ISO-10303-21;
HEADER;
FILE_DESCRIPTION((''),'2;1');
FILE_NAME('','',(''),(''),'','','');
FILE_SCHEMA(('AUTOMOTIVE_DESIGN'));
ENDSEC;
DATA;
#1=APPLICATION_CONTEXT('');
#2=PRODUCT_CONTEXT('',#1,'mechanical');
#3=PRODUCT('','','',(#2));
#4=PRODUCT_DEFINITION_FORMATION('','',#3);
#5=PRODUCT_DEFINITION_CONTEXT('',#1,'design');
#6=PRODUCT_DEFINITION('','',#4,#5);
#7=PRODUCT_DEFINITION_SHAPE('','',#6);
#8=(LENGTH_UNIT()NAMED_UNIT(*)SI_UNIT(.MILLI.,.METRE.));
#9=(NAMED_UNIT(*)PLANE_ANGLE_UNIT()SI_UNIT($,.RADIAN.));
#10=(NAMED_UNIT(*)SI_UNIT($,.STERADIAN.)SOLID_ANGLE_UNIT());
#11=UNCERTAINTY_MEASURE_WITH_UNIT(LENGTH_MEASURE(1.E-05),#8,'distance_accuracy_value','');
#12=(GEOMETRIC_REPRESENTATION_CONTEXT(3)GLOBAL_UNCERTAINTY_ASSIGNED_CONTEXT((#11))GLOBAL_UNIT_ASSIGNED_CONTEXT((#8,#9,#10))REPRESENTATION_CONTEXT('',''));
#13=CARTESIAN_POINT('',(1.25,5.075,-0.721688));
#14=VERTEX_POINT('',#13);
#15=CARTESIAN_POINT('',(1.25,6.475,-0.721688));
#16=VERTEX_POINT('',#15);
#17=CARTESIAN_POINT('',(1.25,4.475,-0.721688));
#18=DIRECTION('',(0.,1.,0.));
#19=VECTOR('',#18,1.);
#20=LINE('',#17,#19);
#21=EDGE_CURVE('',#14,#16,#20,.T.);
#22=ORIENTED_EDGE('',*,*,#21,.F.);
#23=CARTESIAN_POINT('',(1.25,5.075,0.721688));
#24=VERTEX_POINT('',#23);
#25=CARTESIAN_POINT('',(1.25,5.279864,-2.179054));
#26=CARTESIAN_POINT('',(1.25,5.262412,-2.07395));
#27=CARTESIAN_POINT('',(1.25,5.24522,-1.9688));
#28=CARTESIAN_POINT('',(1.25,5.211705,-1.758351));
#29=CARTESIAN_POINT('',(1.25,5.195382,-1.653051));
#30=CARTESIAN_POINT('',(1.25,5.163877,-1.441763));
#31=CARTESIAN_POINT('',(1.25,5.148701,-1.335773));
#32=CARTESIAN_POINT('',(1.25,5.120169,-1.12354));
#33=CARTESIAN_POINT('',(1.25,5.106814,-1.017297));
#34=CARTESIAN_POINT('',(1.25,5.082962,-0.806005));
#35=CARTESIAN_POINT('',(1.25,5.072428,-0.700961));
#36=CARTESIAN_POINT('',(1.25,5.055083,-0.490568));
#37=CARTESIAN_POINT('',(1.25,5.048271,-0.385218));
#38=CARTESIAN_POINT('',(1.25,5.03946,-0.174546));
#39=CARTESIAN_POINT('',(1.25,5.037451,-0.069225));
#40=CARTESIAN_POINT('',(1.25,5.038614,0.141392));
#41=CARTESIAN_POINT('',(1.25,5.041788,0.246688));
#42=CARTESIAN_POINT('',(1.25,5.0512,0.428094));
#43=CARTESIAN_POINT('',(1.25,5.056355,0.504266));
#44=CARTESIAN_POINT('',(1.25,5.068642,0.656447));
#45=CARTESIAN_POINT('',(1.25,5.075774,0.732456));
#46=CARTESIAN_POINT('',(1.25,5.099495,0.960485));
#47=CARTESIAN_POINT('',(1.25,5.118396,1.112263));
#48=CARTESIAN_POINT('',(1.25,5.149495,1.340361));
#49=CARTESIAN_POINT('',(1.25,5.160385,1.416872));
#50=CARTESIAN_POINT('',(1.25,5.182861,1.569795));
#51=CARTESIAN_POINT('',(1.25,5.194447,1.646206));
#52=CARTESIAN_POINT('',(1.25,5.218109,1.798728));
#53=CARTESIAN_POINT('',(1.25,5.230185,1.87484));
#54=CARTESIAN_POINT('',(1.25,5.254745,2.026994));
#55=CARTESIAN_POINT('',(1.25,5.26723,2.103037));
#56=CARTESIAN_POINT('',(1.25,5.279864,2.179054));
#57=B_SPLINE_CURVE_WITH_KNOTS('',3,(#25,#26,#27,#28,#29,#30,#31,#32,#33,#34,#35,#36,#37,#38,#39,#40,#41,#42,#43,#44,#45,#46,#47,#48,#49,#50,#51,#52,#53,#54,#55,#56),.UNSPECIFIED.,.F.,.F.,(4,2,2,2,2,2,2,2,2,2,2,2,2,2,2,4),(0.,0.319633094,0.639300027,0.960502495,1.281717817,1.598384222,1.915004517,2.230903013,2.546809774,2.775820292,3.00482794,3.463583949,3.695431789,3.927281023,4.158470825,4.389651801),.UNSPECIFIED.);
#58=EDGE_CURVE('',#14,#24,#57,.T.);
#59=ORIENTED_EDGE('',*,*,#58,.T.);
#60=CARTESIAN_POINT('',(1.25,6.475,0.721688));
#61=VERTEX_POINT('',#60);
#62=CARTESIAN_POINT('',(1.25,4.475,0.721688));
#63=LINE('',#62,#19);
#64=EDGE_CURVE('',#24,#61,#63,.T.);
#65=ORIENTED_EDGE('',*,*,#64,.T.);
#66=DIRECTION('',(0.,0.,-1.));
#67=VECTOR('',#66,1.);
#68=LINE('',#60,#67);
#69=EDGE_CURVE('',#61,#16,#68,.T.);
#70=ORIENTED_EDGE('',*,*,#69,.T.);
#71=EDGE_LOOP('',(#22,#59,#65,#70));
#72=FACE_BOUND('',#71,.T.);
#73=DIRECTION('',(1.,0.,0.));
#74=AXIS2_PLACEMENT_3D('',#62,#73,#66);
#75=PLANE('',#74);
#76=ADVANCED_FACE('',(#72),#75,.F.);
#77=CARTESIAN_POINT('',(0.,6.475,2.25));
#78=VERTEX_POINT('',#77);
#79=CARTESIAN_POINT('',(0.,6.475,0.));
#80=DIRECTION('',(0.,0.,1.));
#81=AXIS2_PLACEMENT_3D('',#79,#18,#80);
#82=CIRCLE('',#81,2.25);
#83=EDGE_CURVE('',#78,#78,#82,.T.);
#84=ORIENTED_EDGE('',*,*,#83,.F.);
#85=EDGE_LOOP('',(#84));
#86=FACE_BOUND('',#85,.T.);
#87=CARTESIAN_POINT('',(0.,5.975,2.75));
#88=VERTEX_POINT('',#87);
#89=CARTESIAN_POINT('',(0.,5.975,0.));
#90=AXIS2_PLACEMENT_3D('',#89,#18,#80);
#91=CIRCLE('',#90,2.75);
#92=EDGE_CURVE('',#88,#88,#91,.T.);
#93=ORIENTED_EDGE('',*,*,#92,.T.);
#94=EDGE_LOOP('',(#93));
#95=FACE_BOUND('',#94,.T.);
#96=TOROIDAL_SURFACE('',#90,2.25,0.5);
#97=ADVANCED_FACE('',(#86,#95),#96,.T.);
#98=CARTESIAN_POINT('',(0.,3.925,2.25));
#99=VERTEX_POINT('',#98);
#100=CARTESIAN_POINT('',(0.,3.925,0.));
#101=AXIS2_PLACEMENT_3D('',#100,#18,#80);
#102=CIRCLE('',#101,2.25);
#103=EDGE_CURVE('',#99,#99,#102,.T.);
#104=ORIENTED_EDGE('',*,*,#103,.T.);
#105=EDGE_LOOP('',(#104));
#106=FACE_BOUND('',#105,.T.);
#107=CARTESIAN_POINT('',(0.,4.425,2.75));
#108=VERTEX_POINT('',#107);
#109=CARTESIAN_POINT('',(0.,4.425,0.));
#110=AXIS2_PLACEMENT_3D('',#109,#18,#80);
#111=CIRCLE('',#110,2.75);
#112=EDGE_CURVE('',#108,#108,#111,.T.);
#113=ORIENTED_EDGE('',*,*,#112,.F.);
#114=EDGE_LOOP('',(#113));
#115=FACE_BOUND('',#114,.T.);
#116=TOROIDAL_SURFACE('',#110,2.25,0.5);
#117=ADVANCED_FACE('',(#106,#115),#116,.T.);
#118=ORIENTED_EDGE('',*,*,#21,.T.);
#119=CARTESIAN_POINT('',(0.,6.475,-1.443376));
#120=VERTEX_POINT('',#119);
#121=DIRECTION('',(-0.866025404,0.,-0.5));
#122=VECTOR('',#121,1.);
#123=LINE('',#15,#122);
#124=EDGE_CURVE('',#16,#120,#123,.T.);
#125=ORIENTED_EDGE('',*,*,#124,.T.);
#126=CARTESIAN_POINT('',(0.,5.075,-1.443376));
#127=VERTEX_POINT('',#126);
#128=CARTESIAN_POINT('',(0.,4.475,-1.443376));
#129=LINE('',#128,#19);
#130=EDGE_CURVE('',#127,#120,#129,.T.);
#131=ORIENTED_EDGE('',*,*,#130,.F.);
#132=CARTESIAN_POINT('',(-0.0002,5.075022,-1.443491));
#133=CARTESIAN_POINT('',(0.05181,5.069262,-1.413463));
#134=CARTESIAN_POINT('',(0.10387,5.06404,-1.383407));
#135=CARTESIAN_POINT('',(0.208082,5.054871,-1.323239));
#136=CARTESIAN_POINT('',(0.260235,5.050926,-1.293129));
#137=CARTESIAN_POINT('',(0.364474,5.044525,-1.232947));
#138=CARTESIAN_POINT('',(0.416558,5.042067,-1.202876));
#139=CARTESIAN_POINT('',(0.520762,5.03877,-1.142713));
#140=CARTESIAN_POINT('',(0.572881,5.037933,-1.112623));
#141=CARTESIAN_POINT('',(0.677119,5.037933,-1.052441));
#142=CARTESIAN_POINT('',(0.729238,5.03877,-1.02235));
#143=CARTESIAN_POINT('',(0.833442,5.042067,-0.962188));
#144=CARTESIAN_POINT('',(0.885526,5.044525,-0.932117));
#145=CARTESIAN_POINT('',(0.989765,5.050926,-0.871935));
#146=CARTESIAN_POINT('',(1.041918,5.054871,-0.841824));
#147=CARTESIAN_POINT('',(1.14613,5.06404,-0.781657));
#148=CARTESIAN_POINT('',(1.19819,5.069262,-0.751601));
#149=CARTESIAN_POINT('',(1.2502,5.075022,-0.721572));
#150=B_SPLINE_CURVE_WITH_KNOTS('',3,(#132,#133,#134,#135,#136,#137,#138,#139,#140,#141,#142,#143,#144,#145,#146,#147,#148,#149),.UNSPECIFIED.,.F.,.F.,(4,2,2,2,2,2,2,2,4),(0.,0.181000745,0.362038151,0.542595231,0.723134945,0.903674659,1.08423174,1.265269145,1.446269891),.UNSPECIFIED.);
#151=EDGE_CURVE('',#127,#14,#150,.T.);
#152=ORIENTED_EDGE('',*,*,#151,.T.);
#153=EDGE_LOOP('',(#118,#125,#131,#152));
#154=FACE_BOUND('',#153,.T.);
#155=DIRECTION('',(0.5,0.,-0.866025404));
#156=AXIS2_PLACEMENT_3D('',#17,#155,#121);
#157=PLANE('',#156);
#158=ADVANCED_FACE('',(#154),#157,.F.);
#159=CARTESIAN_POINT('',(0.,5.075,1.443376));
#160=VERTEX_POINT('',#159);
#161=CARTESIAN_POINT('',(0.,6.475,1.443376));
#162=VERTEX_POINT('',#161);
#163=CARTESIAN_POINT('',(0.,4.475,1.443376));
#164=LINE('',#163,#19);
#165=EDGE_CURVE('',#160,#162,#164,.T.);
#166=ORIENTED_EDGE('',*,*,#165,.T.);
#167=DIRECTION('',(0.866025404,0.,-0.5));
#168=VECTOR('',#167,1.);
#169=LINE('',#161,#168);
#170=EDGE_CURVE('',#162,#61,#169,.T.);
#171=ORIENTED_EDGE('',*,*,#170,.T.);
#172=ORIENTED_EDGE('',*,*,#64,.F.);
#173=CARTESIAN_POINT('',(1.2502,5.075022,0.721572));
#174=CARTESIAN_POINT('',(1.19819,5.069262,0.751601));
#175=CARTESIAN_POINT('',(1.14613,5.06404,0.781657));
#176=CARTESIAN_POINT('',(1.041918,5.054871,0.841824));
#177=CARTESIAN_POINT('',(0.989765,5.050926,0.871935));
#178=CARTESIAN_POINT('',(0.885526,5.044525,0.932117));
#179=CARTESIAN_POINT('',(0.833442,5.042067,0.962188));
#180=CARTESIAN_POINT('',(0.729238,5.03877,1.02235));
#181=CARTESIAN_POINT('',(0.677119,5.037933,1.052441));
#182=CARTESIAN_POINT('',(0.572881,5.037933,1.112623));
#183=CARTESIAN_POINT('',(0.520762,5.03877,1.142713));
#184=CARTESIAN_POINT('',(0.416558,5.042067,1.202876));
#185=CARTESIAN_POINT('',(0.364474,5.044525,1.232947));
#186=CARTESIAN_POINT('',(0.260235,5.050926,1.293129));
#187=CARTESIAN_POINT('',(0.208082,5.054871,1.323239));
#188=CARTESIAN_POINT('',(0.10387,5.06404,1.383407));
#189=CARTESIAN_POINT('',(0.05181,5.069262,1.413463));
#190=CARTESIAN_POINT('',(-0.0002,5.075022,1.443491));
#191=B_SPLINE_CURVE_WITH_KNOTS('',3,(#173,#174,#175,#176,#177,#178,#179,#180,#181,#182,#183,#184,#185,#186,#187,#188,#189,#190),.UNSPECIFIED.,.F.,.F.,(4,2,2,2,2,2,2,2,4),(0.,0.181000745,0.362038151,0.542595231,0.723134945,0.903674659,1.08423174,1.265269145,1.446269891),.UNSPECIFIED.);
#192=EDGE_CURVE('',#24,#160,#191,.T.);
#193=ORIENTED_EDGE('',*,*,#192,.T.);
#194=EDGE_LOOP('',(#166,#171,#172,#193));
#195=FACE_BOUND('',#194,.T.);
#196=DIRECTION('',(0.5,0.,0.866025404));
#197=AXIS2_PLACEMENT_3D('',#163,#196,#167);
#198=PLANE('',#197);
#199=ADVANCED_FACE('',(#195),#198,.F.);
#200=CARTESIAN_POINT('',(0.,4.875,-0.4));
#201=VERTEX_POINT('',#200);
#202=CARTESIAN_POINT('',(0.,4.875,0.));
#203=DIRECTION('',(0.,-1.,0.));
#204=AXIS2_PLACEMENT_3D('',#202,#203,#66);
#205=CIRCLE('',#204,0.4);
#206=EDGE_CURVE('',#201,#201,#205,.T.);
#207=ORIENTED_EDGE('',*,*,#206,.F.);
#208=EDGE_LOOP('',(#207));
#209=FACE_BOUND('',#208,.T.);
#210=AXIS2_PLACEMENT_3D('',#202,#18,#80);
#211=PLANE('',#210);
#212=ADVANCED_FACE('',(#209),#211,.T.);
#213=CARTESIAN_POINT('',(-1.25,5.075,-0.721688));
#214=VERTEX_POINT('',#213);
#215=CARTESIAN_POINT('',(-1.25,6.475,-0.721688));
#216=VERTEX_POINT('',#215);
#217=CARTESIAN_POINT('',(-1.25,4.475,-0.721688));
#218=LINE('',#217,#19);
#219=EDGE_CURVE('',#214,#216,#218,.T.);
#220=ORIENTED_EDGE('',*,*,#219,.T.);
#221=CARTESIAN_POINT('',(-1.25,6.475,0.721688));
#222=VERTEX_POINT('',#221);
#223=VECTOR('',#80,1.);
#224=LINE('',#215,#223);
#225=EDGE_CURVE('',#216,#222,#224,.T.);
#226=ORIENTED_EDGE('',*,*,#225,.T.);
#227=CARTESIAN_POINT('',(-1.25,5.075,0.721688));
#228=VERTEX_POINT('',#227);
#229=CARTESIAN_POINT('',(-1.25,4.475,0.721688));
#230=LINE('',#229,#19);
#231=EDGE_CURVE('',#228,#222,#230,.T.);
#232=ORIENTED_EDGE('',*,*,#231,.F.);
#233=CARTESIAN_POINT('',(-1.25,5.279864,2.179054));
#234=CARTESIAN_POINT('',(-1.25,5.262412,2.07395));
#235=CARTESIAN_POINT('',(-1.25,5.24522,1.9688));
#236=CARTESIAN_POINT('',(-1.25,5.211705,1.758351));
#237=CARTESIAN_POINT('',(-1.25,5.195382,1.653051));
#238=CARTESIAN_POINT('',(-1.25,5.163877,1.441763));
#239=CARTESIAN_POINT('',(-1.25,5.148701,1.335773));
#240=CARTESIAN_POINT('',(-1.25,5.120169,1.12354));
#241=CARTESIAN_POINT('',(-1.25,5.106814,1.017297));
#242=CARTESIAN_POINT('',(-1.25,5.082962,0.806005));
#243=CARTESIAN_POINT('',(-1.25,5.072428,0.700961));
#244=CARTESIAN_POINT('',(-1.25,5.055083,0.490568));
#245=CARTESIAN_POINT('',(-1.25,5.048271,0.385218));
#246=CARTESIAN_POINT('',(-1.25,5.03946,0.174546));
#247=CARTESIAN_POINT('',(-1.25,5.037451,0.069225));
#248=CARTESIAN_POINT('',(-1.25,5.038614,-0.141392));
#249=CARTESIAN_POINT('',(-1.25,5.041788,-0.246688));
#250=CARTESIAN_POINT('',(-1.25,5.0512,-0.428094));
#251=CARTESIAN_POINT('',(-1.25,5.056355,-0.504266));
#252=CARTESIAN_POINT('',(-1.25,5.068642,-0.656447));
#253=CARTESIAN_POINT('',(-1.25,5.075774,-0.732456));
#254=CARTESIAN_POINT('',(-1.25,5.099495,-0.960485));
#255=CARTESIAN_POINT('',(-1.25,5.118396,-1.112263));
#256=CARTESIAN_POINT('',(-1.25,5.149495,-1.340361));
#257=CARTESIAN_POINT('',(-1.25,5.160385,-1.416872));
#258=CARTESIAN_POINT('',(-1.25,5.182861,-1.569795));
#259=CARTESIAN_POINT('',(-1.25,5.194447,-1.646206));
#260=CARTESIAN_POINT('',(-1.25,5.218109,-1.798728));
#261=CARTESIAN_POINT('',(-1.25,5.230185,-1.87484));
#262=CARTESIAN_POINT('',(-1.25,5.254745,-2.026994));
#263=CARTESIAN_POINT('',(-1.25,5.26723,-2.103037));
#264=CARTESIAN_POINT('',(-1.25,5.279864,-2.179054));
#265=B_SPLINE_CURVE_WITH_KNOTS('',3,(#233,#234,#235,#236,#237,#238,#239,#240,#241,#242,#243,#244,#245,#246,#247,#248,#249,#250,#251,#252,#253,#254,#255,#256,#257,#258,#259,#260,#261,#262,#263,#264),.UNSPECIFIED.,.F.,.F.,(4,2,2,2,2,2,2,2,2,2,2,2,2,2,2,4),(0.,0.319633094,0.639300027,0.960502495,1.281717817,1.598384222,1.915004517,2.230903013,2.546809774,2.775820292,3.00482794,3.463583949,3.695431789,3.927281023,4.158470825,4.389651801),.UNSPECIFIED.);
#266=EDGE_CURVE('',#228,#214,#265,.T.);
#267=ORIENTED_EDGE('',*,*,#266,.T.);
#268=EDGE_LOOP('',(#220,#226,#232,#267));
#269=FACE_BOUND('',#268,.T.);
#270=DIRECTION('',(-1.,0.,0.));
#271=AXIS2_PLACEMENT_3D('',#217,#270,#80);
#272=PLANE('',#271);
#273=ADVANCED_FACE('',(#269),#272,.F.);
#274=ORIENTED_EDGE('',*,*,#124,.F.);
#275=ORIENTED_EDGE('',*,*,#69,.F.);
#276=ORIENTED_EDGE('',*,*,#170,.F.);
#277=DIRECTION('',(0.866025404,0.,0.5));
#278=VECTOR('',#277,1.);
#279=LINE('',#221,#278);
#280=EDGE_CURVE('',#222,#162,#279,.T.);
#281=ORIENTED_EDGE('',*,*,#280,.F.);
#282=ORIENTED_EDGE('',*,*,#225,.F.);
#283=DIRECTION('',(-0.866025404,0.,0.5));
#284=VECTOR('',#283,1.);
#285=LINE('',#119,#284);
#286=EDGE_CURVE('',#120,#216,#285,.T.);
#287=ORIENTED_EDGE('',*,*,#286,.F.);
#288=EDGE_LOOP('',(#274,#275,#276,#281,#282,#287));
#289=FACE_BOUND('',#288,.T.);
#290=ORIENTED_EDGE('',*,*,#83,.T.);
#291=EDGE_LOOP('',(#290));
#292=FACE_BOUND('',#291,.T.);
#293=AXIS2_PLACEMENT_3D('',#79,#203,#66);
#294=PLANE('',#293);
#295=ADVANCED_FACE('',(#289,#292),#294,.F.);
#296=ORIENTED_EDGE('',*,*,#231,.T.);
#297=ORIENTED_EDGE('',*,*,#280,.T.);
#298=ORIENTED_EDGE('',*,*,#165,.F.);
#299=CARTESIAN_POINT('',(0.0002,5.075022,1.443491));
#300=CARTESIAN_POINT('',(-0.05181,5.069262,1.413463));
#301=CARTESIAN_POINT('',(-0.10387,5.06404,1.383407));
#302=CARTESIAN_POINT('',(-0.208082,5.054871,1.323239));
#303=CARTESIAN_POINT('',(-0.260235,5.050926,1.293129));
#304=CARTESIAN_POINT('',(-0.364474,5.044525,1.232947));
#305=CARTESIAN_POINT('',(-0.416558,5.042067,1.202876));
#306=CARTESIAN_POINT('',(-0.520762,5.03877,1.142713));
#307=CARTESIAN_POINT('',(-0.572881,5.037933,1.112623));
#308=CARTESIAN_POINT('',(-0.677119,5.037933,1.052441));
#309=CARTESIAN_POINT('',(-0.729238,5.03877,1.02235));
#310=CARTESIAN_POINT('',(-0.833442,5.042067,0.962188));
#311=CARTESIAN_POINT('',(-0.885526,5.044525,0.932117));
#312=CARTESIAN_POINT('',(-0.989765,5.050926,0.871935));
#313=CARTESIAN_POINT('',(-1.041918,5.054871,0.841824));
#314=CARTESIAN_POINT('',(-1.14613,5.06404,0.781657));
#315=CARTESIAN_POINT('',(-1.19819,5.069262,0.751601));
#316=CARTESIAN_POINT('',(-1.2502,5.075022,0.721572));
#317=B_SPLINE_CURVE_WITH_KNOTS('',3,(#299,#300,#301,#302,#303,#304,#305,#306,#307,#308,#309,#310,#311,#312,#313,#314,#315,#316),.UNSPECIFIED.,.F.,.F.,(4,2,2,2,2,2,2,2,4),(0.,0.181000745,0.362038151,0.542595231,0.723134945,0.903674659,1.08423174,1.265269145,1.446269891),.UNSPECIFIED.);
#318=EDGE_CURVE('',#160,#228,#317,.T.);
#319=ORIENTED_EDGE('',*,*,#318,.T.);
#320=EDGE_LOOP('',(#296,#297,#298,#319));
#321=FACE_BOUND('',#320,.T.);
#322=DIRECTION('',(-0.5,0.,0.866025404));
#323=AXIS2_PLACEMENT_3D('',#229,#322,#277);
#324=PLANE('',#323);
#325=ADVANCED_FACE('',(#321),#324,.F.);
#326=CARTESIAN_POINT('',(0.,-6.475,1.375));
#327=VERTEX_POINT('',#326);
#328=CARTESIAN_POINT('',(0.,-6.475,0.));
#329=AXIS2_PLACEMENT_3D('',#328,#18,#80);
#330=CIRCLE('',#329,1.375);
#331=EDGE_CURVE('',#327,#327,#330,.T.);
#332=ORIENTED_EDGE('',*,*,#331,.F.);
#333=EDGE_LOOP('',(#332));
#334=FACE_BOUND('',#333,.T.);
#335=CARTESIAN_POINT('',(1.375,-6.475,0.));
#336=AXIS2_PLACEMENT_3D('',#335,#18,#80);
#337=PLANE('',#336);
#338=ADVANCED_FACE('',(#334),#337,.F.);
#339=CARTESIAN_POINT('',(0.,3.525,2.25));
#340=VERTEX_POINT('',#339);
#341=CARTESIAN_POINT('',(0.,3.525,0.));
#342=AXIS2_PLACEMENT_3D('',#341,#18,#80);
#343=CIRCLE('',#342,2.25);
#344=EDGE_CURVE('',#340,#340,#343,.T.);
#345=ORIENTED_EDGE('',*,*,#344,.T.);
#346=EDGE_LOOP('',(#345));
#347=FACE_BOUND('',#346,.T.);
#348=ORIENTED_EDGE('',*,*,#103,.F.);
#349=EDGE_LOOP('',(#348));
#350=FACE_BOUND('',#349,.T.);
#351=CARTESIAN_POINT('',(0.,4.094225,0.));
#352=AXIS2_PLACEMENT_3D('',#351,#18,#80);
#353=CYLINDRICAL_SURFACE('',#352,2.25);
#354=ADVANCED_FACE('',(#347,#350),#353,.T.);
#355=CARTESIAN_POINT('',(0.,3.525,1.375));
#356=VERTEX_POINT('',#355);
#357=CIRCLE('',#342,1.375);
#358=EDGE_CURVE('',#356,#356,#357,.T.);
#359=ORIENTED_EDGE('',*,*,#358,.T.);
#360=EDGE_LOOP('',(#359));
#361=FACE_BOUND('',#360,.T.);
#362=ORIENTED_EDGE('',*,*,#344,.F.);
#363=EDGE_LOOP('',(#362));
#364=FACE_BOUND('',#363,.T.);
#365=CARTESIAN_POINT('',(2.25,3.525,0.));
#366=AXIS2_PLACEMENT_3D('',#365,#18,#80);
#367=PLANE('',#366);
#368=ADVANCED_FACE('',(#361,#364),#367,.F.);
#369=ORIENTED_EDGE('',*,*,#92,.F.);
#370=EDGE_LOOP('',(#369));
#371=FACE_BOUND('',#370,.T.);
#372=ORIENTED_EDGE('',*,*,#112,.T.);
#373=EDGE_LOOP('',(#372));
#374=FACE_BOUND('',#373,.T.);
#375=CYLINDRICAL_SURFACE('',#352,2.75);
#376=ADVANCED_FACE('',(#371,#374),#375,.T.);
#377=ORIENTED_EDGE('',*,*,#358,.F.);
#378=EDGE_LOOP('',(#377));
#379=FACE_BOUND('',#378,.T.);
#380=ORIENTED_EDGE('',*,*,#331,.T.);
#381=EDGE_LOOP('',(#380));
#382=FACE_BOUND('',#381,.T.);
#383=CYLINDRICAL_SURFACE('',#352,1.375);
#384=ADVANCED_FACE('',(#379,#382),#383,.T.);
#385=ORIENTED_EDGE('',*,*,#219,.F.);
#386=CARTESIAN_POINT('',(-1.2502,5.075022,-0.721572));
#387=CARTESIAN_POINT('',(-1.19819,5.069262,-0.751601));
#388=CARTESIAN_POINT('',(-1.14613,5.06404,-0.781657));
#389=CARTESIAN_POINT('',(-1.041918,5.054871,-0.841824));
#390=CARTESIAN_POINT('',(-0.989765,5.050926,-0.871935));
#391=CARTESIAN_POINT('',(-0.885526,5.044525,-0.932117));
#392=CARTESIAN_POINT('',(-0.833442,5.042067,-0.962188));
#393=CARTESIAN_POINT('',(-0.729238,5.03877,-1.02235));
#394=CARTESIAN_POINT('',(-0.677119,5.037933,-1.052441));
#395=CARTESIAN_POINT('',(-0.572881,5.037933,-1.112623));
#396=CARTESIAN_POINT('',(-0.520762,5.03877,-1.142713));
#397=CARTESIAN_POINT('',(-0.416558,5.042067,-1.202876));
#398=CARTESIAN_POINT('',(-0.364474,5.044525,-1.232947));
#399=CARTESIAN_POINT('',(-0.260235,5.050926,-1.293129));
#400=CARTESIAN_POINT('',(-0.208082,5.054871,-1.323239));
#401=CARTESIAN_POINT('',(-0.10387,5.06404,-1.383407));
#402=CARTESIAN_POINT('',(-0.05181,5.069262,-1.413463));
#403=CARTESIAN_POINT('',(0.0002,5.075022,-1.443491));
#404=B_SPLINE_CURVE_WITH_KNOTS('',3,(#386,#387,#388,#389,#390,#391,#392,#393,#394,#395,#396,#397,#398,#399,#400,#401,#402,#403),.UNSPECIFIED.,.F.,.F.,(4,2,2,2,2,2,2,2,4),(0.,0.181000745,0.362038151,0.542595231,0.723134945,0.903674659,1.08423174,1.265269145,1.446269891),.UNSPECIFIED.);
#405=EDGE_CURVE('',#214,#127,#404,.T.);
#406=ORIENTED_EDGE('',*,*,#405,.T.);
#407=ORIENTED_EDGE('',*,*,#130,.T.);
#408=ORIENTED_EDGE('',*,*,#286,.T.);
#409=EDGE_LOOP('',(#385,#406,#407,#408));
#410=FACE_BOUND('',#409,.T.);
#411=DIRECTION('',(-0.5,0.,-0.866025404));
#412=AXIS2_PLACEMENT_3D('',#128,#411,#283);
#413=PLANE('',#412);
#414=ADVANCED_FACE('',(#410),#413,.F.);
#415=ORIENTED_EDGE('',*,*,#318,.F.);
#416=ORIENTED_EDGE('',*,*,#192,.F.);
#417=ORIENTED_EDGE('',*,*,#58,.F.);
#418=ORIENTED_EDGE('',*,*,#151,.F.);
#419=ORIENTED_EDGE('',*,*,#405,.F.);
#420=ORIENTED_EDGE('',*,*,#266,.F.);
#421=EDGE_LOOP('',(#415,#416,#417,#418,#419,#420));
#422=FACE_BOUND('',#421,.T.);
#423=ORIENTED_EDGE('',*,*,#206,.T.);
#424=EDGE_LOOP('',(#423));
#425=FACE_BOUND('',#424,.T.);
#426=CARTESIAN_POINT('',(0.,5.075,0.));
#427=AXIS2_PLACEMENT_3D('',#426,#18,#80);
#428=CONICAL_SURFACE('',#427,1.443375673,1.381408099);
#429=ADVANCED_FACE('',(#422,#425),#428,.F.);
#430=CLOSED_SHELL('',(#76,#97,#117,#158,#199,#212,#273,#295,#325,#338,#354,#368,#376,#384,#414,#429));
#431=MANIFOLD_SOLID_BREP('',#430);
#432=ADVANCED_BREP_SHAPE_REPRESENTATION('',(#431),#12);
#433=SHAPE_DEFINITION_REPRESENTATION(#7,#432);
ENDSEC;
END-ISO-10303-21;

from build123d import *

# Parameters (mm, degrees)
BOSS_EXTRUDE1_DEPTH = 2


with BuildPart() as part:
    # Sketch1 → Revolve1 (revolve)
    with BuildSketch(Plane.XY):
        with BuildLine():
            Line((0, 6.475), (2.25, 6.475))
            ThreePointArc((2.25, 6.475), (2.603553391, 6.328553391), (2.75, 5.975))
            Line((2.75, 5.975), (2.75, 4.425))
            ThreePointArc((2.75, 4.425), (2.603553391, 4.071446609), (2.25, 3.925))
            Line((2.25, 3.925), (2.25, 3.525))
            Line((2.25, 3.525), (1.375, 3.525))
            Line((1.375, 3.525), (1.375, -6.475))
            Line((1.375, -6.475), (0, -6.475))
            Line((0, -6.475), (0, 6.475))
        make_face()
    revolve(axis=Axis((0, 4.094224924, 0), (0, -1, 0)))


with BuildPart() as body_2:
    # Sketch2 → Boss-Extrude1 (new body)
    with BuildSketch(Plane(origin=(0, 6.475, 0), x_dir=(1, 0, 0), z_dir=(0, 1, 0))):
        Polygon((0, 1.443375673), (-1.25, 0.721687836), (-1.25, -0.721687836), (0, -1.443375673), (1.25, -0.721687836), (1.25, 0.721687836), align=None)
    extrude(amount=-BOSS_EXTRUDE1_DEPTH)

    # Sketch3 → Cut-Revolve1 (revolve, cut)
    with BuildSketch(Plane(origin=(0, 0, 0), x_dir=(0, 0, -1), z_dir=(1, 0, 0))):
        Polygon((0, 4.875), (0.4, 4.875), (1.443375673, 5.075), (1.443375673, 4.475), (0, 4.475), align=None)
    revolve(axis=Axis((0, 4.475, 0), (0, 1, 0)), mode=Mode.SUBTRACT)


with BuildPart() as part_1:
    add(part.part)

    # Combine1: cut body 2
    add(body_2.part, mode=Mode.SUBTRACT)


solid = part_1.part
